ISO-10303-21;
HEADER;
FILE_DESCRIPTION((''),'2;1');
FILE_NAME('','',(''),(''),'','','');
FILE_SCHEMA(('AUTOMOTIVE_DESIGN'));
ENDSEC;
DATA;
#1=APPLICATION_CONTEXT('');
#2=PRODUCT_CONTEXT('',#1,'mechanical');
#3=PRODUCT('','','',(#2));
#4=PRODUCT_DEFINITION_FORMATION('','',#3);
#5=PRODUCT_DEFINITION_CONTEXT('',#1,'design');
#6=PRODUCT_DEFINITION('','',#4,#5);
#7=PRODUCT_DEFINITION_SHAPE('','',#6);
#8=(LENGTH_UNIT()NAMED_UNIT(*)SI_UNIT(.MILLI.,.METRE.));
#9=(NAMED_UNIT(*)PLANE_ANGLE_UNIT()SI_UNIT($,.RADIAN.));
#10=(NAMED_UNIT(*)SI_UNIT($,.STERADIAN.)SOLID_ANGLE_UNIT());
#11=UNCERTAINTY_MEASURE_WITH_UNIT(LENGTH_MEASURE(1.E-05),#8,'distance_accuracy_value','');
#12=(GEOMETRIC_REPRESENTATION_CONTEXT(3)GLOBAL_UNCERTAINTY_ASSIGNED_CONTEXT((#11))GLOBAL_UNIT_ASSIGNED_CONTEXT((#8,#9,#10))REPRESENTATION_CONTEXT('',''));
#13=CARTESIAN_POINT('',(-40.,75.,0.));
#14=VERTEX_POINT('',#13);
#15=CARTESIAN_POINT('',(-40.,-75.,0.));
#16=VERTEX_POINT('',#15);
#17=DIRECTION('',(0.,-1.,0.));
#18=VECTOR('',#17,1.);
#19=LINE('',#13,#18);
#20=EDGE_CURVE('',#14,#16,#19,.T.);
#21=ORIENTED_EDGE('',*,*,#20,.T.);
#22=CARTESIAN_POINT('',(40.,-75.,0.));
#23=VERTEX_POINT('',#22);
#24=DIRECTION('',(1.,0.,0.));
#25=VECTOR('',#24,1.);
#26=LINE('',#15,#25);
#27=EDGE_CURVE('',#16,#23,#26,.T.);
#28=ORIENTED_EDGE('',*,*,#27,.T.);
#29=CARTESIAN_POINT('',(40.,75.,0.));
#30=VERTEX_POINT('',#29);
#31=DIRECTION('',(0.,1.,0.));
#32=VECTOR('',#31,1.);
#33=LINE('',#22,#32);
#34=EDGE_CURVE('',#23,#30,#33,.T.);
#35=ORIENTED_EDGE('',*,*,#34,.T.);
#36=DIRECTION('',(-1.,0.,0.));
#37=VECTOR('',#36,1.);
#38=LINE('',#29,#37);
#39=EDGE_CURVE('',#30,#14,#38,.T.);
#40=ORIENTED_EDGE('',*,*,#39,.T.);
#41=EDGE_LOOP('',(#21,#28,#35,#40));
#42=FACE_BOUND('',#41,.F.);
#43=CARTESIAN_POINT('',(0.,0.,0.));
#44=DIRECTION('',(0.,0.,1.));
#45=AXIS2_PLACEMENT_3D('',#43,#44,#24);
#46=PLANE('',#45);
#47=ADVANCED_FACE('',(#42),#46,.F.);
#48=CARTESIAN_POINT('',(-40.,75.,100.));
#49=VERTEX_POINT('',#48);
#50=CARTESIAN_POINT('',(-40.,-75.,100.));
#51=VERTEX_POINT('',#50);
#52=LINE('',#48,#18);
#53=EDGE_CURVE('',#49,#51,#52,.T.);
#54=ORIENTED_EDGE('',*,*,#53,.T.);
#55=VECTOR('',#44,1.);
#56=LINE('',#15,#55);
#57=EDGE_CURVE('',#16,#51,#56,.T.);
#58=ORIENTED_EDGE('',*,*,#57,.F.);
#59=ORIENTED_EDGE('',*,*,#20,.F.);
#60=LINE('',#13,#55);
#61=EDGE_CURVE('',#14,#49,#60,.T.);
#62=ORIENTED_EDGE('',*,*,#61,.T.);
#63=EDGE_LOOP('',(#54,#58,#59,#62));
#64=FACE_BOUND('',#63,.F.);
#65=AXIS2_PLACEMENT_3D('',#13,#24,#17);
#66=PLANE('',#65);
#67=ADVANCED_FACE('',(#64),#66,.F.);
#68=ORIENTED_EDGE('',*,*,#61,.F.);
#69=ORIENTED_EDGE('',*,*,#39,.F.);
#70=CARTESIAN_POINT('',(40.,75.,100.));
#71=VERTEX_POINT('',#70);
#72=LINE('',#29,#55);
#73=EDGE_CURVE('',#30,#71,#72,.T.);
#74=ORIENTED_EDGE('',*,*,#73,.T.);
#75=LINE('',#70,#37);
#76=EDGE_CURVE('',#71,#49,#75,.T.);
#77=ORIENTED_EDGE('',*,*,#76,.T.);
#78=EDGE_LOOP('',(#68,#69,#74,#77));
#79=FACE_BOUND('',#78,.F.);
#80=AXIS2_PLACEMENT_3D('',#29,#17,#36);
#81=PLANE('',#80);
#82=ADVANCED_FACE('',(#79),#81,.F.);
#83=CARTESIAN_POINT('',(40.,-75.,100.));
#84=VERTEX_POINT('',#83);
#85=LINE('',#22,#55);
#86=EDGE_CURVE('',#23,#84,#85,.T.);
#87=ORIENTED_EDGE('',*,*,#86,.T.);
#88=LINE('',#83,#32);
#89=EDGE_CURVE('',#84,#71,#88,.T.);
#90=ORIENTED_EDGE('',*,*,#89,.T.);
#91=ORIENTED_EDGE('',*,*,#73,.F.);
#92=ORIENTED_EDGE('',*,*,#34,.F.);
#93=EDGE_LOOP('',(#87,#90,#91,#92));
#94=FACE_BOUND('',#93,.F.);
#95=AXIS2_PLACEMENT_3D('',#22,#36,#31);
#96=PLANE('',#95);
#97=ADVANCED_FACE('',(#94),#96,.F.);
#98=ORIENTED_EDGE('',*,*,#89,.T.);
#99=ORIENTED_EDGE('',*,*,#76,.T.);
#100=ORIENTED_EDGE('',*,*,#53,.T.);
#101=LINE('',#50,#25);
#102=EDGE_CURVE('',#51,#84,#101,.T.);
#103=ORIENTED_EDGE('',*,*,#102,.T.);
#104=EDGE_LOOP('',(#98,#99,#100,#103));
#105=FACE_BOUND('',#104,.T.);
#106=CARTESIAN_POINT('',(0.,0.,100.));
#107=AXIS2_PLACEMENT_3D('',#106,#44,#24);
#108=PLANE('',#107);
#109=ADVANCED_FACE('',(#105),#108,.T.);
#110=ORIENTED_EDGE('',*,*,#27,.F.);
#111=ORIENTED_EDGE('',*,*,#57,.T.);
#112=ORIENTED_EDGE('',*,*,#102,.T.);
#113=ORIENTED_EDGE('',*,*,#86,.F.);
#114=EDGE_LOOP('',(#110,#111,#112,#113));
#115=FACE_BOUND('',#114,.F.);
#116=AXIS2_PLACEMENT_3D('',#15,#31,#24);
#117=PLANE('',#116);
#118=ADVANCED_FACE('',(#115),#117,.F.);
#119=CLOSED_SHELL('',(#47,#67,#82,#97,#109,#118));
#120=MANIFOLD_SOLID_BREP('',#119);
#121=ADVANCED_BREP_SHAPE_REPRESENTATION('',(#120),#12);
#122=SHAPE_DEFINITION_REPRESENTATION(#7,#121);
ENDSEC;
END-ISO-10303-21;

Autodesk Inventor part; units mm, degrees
ref_plane "YZ Plane" through (0, 0, 0) normal (1, 0, 0) x (0, 1, 0)
ref_plane "XZ Plane" through (0, 0, 0) normal (0, 1, 0) x (-1, 0, 0)
ref_plane "XY Plane" through (0, 0, 0) normal (0, 0, 1) x (1, 0, 0)
sketch "Esboço1" plane through (0, 0, 0) normal (0, 0, 1) x (1, 0, 0)
  line L0 (-40, -75) -> (40, -75)
  line L1 (40, -75) -> (40, 75)
  line L2 (40, 75) -> (-40, 75)
  line L3 (-40, 75) -> (-40, -75)
  line L4 (-40, -75) -> (40, 75) construction
  line L5 (40, -75) -> (-40, 75) construction
  point P0 (0, 0)
  dimension "d0" = 80
  dimension "d1" = 150
extrude "Extrusão1" add sketch "Esboço1" along normal blind 100
properties part number "bateria"
